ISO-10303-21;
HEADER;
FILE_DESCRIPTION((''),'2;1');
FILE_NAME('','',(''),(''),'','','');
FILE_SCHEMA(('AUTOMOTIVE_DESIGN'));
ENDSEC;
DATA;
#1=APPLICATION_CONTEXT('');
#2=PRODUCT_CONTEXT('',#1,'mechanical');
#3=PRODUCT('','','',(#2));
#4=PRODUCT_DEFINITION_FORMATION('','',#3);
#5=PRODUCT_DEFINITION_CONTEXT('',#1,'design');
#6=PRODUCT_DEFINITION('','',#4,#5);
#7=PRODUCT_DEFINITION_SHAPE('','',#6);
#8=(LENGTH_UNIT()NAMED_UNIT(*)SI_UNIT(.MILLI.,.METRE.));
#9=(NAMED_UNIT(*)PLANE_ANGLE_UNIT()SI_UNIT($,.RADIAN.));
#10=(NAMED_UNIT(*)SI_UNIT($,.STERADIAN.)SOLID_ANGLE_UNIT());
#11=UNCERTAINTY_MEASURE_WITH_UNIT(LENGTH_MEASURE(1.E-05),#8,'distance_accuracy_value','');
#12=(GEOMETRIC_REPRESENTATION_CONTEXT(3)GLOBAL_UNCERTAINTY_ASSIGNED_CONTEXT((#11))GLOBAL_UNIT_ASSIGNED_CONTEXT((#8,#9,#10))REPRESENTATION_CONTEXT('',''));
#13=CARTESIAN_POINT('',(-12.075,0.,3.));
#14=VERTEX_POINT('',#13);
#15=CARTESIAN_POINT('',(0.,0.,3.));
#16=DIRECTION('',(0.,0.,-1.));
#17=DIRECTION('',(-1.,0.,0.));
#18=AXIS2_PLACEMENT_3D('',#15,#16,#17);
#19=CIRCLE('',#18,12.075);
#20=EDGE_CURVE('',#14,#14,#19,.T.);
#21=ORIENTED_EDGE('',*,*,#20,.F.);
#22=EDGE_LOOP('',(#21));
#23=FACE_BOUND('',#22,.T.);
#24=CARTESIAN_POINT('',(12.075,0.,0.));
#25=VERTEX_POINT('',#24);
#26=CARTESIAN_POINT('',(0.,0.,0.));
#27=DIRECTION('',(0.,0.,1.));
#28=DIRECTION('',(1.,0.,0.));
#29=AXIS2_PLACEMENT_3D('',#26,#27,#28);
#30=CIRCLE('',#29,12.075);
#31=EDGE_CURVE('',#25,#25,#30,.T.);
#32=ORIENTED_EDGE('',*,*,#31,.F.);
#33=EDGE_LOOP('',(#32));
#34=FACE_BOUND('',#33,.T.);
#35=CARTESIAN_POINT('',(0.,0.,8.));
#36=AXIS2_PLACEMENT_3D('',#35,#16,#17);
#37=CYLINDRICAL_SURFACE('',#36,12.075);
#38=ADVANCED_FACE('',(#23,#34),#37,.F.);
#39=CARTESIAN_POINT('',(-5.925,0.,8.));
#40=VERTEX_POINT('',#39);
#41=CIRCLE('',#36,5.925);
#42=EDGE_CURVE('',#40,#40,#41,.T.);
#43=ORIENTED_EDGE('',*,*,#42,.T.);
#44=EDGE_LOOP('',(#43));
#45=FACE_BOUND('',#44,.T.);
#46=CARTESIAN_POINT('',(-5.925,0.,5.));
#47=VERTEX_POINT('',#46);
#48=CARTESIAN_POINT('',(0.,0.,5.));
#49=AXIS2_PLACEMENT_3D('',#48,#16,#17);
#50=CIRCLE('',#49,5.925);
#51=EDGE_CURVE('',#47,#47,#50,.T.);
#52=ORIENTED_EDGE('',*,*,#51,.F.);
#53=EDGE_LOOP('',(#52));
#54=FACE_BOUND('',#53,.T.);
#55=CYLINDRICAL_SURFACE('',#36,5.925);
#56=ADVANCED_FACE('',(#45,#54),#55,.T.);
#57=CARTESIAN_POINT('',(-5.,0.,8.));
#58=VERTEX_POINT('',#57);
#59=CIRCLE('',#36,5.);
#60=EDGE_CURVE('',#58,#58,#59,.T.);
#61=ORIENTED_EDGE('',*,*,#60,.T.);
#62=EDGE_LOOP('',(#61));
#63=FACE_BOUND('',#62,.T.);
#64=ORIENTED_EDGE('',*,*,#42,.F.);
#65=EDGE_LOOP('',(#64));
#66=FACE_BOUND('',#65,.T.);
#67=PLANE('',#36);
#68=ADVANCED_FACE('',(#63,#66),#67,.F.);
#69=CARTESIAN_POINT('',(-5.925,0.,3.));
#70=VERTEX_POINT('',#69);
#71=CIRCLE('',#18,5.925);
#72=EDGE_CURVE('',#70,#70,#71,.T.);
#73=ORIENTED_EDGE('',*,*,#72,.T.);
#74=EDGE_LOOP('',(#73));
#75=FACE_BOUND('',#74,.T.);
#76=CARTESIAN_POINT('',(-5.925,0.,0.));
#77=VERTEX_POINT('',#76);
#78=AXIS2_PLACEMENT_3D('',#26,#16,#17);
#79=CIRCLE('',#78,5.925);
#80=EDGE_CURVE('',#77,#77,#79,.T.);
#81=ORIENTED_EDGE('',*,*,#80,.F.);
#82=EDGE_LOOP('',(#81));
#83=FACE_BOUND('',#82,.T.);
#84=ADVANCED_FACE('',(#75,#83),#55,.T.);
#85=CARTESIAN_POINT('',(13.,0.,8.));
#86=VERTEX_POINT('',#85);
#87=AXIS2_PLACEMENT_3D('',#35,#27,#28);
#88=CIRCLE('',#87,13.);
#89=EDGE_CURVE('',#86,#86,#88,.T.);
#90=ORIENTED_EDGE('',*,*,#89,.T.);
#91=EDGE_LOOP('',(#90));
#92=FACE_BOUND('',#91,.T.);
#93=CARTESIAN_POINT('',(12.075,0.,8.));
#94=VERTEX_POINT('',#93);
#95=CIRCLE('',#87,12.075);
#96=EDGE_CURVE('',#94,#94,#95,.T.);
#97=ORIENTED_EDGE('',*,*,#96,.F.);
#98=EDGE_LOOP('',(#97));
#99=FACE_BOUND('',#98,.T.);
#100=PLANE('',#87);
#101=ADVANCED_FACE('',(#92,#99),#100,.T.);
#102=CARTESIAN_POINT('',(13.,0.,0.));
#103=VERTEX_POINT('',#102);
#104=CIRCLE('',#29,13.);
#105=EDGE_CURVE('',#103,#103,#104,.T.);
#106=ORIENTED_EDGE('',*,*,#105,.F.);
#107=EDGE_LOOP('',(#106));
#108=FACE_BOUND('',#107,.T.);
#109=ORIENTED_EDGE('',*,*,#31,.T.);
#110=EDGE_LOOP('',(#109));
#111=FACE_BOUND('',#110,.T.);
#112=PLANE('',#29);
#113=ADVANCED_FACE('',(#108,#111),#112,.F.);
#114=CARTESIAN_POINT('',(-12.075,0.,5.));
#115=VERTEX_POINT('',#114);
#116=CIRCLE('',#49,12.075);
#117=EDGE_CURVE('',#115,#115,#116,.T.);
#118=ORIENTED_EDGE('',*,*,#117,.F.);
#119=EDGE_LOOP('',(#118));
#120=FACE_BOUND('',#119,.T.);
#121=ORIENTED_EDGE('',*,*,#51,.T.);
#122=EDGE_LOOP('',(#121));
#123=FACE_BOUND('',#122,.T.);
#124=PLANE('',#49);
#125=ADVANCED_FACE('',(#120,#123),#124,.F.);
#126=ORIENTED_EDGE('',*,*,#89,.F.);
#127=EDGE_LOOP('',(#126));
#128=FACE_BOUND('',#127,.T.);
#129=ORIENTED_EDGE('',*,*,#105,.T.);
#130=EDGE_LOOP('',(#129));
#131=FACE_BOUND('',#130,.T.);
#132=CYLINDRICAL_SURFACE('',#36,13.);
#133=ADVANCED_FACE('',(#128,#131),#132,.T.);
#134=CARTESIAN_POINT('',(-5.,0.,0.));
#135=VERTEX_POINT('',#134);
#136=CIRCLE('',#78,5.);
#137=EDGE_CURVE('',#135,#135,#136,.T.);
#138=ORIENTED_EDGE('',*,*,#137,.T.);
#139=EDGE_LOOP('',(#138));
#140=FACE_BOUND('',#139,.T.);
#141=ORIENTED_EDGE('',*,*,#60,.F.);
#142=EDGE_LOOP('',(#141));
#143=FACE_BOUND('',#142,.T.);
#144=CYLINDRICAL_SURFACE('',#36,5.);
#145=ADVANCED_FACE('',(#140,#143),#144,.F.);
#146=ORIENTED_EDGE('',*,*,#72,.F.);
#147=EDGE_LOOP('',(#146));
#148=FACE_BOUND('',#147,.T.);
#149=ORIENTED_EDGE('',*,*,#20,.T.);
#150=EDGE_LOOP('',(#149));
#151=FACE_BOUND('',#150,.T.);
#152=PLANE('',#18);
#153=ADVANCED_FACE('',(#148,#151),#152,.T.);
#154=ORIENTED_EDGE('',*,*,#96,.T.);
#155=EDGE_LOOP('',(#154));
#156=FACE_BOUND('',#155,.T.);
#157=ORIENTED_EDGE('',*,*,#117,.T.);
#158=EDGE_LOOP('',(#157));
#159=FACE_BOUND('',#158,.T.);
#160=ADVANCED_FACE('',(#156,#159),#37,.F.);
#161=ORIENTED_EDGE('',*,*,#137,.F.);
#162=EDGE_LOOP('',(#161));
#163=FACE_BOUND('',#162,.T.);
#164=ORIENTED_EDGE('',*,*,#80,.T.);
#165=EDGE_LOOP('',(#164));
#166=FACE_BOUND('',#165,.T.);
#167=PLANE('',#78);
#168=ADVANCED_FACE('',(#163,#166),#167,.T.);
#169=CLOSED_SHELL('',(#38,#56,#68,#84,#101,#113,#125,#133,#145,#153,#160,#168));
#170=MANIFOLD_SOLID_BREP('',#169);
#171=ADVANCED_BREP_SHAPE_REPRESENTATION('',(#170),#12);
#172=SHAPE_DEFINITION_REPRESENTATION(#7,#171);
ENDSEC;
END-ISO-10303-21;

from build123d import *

# Parameters (mm, degrees)
SKETCH2_R                = 13
SKETCH2_R_2              = 12.075
BOSS_EXTRUDE1_DEPTH      = 8
BOSS_EXTRUDE2_DEPTH      = 1
BOSS_EXTRUDE2_DEPTH_BACK = 1
SKETCH3_R                = 12.569499656
BOSS_EXTRUDE3_DEPTH      = 4
BOSS_EXTRUDE3_DEPTH_BACK = 4
SKETCH5_R                = 5.925
SKETCH5_R_2              = 5
SKETCH6_R                = 5
CUT_EXTRUDE1_DEPTH       = 2


with BuildPart() as part:
    # Sketch2 → Boss-Extrude1 (new body)
    with BuildSketch(Plane.XY):
        Circle(SKETCH2_R)
        Circle(SKETCH2_R_2, mode=Mode.SUBTRACT)
    extrude(amount=BOSS_EXTRUDE1_DEPTH)

    # Sketch3 → Boss-Extrude2 (add, two sides: drawn at the far end of the back side and taken through both)
    with BuildSketch(Plane(origin=(0, 0, 4), x_dir=(-1, 0, 0), z_dir=(0, 0, -1)).offset(-BOSS_EXTRUDE2_DEPTH_BACK)):
        Circle(SKETCH3_R)
    extrude(amount=BOSS_EXTRUDE2_DEPTH + BOSS_EXTRUDE2_DEPTH_BACK)

    # Sketch5 → Boss-Extrude3 (add, two sides: drawn at the far end of the back side and taken through both)
    with BuildSketch(Plane(origin=(0, 0, 4), x_dir=(-1, 0, 0), z_dir=(0, 0, -1)).offset(-BOSS_EXTRUDE3_DEPTH_BACK)):
        Circle(SKETCH5_R)
        Circle(SKETCH5_R_2, mode=Mode.SUBTRACT)
    extrude(amount=BOSS_EXTRUDE3_DEPTH + BOSS_EXTRUDE3_DEPTH_BACK)

    # Sketch6 → Cut-Extrude1 (cut)
    with BuildSketch(Plane.XY.offset(5)):
        with Locations(Location((0, 0, 0), (0, 0, 180))):
            Circle(SKETCH6_R)
    extrude(amount=-CUT_EXTRUDE1_DEPTH, mode=Mode.SUBTRACT)


solid = part.part
